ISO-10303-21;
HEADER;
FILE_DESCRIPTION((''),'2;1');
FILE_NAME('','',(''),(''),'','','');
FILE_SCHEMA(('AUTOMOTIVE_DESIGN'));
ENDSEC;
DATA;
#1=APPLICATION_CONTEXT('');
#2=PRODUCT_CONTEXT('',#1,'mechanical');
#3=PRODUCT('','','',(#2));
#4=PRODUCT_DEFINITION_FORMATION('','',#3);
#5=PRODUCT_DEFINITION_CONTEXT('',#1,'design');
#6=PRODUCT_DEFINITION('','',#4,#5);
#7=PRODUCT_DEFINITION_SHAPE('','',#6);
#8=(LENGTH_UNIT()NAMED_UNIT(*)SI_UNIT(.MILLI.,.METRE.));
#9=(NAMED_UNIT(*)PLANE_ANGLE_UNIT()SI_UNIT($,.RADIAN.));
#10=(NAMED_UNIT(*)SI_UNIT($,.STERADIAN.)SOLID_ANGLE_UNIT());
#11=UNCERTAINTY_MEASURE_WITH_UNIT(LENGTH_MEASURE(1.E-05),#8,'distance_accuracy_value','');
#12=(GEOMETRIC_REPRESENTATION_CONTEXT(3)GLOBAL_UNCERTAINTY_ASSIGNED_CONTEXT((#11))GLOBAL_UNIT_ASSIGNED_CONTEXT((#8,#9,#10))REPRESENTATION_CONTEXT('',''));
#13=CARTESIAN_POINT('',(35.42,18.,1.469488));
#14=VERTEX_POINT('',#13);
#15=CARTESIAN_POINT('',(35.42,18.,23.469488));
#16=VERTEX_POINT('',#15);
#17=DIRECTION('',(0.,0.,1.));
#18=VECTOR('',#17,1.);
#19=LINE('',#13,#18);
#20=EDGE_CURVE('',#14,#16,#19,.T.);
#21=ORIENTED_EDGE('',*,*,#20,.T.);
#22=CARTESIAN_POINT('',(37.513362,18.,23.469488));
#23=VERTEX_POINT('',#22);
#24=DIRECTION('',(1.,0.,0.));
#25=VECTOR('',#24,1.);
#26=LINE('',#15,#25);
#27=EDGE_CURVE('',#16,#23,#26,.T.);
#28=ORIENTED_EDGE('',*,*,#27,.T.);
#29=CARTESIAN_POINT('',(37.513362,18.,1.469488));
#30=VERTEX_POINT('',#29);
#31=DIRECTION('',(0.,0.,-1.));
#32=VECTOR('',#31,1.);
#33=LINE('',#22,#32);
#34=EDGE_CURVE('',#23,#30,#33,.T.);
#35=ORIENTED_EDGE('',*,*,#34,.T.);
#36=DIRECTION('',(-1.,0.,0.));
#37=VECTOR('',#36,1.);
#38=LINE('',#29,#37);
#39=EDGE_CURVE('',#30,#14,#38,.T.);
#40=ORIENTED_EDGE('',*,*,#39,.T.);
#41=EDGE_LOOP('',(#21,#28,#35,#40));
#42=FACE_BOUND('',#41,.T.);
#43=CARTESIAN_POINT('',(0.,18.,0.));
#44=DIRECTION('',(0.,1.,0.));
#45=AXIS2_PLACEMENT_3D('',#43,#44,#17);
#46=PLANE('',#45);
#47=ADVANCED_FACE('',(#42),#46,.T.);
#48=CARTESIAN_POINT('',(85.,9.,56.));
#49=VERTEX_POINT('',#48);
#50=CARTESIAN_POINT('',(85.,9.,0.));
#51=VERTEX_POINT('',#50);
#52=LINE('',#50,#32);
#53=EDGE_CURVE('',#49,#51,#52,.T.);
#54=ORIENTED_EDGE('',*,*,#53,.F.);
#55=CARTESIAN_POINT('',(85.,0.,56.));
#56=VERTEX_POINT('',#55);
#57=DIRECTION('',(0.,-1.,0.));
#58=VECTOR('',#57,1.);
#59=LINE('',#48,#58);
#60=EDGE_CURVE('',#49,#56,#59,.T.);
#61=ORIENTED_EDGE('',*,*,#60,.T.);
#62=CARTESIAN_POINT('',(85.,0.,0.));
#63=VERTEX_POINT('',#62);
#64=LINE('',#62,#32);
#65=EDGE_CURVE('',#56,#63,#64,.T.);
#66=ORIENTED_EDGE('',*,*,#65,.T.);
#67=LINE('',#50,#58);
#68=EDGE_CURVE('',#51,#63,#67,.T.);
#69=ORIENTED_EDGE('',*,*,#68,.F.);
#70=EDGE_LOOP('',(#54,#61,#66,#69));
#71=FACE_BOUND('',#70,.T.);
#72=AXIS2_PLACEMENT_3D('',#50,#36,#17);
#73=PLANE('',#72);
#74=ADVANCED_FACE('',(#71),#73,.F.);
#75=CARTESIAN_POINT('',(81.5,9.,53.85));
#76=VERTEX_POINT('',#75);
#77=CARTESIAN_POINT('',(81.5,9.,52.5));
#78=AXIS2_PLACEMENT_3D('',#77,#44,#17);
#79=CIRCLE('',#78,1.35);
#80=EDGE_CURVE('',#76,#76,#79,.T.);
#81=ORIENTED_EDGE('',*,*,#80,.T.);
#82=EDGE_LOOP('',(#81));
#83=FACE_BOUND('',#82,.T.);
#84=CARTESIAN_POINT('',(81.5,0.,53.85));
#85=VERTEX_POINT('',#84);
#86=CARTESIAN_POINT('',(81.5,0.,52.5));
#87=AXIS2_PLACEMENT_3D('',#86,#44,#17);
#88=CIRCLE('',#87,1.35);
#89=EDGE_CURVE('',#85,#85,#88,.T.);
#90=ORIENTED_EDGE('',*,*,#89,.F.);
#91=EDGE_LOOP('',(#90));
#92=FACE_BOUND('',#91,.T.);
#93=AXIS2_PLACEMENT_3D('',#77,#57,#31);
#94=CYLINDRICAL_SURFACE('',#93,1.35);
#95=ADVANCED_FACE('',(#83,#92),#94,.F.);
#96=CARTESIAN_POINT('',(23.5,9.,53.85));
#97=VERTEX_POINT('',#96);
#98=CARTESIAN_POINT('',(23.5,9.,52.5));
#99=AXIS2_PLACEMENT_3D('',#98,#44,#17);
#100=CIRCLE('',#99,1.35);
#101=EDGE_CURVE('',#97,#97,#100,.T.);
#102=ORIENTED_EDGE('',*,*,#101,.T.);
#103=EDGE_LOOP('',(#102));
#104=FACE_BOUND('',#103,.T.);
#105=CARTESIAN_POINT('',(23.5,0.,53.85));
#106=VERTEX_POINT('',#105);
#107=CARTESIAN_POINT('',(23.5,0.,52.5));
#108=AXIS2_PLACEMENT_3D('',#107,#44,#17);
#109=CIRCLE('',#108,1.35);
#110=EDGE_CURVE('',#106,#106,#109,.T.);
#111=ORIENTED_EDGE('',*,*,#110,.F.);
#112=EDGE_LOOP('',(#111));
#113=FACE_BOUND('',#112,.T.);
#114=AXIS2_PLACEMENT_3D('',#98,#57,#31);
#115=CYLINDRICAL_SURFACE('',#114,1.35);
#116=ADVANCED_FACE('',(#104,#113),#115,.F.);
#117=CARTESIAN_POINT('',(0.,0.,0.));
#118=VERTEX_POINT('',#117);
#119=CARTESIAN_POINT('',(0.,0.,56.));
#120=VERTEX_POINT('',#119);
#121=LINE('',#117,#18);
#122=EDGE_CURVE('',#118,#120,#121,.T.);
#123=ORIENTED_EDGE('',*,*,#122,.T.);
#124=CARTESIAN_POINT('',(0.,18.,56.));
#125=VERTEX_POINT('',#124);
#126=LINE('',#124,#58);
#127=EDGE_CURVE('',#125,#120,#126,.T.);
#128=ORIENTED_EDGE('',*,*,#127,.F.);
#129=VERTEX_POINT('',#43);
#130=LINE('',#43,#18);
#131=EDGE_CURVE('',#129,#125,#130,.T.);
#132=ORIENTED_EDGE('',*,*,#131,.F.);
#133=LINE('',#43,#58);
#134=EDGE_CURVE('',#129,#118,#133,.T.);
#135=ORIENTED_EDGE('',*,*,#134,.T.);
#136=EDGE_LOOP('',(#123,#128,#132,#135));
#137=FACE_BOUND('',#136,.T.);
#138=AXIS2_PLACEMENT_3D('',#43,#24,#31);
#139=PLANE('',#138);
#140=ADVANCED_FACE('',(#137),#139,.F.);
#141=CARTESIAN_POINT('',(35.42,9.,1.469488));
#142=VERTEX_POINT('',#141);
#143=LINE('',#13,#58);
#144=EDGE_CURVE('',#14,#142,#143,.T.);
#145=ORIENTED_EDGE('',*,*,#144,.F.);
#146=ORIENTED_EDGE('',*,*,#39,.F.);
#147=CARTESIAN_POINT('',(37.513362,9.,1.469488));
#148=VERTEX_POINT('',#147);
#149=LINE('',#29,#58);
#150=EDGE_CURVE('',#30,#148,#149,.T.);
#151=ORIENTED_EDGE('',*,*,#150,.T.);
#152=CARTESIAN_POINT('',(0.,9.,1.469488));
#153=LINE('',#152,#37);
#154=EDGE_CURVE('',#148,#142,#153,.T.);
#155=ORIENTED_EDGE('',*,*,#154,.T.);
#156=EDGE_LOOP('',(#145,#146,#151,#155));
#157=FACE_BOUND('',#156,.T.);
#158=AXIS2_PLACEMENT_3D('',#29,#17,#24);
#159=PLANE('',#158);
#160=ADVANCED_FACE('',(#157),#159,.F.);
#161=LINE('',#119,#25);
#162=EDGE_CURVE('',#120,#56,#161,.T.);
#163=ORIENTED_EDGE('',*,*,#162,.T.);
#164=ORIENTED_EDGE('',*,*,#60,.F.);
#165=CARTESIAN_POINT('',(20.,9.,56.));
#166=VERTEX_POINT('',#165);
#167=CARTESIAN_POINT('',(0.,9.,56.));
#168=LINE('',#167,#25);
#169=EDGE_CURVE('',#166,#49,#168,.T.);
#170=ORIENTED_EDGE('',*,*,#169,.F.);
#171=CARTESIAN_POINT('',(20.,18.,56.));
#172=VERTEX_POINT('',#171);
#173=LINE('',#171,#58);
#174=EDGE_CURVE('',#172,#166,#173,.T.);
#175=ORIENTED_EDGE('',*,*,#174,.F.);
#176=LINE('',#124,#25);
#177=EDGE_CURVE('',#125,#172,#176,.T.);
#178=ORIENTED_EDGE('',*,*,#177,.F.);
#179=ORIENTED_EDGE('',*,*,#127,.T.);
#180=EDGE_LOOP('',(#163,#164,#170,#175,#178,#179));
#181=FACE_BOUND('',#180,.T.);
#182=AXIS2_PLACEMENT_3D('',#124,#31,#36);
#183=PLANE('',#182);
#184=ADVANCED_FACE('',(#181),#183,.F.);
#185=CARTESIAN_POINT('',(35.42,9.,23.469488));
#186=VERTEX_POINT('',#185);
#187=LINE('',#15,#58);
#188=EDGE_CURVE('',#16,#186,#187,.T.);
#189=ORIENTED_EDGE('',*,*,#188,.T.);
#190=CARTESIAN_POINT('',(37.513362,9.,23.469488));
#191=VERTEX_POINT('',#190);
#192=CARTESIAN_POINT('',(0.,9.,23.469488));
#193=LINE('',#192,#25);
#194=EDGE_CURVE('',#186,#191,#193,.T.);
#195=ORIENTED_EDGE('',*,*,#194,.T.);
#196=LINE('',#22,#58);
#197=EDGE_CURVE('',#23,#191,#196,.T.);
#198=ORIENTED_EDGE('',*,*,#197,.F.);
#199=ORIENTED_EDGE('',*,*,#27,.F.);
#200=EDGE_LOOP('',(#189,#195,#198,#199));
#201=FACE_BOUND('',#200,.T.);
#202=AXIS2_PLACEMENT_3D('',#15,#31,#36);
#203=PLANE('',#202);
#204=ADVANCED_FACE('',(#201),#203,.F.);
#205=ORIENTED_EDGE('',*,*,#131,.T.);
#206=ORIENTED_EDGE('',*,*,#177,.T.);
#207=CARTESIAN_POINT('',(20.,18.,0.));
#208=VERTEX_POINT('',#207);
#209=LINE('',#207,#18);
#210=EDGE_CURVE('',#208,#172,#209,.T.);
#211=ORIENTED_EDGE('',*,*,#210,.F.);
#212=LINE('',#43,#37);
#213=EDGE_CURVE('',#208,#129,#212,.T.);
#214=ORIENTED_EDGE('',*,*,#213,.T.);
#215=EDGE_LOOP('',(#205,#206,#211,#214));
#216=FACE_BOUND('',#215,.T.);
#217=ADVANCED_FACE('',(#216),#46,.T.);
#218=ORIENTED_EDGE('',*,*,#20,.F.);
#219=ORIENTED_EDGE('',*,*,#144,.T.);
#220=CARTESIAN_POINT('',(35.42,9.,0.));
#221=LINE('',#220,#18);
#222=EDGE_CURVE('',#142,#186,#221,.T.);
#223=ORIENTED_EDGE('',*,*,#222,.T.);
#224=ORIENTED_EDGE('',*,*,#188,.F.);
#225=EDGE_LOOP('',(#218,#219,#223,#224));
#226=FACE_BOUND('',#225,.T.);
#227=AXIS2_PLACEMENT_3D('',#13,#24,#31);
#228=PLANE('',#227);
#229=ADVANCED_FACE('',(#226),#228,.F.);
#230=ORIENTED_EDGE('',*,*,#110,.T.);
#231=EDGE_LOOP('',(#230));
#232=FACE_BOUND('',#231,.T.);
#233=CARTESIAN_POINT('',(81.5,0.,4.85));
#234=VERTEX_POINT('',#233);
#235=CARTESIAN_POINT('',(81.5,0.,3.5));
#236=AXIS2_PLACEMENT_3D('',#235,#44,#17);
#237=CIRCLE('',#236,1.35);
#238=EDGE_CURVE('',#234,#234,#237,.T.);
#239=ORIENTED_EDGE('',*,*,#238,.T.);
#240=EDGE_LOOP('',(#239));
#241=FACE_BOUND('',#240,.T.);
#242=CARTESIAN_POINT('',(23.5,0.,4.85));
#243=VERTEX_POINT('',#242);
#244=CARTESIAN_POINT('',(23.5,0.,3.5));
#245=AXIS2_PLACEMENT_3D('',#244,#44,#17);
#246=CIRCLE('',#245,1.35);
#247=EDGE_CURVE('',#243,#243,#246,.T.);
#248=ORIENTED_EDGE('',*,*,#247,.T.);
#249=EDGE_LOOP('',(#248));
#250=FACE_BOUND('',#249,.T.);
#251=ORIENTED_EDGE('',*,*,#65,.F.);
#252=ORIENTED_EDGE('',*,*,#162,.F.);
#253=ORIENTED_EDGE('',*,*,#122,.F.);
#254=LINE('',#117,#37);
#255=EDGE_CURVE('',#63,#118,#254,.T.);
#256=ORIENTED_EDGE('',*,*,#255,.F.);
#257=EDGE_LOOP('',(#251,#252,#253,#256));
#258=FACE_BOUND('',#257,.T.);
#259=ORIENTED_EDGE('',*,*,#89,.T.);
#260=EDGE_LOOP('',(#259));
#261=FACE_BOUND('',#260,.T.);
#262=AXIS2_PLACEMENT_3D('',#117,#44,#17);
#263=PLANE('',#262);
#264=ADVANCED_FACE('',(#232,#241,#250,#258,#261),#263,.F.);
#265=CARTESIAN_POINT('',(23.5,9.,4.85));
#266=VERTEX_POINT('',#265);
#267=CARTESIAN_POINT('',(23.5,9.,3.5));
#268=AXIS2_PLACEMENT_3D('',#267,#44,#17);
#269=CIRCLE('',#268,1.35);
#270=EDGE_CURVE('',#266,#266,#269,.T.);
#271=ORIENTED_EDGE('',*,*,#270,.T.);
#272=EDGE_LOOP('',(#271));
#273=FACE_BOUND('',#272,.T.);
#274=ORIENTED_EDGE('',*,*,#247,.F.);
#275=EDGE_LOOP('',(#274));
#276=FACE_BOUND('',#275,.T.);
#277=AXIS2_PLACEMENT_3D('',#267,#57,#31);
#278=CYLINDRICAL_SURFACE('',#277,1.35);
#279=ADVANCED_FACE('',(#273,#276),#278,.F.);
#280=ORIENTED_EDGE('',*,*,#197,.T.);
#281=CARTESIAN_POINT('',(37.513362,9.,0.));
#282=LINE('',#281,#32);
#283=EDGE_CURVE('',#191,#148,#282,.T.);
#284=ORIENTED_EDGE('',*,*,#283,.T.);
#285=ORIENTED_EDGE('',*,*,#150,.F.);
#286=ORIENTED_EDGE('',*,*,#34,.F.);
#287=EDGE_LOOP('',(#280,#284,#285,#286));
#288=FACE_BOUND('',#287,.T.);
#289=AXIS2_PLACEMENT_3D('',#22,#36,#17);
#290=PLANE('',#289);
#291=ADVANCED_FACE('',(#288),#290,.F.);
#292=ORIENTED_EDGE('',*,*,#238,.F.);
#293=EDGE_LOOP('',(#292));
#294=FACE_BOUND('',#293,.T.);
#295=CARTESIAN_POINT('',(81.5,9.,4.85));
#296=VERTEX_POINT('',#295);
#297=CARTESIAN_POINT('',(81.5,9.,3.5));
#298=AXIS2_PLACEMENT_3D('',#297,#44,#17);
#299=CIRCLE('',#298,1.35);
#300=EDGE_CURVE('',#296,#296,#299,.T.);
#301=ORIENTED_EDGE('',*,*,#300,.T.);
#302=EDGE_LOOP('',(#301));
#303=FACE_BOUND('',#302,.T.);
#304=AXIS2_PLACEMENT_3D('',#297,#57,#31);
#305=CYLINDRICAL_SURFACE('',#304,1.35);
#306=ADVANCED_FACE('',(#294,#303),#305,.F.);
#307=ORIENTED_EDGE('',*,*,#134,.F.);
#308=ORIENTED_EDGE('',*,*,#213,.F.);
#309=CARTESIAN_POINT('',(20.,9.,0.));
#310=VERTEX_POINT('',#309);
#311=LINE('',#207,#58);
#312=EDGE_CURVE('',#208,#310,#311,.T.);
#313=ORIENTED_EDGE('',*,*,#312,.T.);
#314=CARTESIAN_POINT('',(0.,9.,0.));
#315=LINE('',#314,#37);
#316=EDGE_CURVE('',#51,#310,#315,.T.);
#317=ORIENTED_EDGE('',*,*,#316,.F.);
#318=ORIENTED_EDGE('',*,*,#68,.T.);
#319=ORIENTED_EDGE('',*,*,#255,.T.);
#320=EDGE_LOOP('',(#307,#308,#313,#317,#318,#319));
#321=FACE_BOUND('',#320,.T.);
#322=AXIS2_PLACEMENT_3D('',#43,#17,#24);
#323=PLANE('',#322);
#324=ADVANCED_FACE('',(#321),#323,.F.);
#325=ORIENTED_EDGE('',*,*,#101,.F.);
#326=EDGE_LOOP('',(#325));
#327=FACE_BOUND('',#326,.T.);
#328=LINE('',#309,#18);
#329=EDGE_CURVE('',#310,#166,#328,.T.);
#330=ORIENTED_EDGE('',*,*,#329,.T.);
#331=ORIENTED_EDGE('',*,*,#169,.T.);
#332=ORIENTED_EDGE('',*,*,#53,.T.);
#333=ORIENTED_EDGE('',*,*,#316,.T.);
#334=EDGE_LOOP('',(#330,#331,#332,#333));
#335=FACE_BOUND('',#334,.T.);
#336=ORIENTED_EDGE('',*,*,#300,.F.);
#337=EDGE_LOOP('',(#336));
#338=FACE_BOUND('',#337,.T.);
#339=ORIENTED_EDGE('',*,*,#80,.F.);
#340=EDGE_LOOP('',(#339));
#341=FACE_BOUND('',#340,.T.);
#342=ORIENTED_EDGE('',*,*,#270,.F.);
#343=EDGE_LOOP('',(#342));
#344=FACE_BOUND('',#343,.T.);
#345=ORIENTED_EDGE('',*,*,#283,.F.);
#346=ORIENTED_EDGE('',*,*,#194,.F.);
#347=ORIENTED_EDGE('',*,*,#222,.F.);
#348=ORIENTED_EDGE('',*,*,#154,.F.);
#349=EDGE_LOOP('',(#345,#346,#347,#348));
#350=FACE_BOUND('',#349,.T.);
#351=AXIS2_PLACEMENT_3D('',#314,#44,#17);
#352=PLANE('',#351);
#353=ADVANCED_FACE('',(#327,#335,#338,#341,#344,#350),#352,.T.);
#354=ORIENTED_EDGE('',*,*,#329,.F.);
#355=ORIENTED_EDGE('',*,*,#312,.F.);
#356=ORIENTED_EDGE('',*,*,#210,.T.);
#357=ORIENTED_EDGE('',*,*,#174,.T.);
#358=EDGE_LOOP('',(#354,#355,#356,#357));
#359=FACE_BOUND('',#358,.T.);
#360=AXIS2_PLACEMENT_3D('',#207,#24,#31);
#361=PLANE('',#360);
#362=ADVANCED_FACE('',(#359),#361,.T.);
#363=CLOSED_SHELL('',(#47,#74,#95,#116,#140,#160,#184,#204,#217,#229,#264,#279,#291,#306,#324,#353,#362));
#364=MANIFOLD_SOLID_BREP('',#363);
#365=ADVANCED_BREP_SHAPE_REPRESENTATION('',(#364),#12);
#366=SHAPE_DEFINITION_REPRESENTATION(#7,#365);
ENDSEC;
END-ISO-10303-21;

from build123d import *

# Parameters (mm, degrees)
SKETCH1_W             = 20
SKETCH1_H             = 56
BOSS_EXTRUDE1_DEPTH   = 18
SKETCH1_W_2           = 2.09336208
SKETCH1_H_2           = 22
BOSS_EXTRUDE1_2_DEPTH = 18
SKETCH1_3_W           = 65
SKETCH1_3_H           = 56
SKETCH1_3_R           = 1.35
SKETCH1_3_W_2         = 2.09336208
SKETCH1_3_H_2         = 22
BOSS_EXTRUDE2_DEPTH   = 9


with BuildPart() as part:
    # Sketch1 → Boss-Extrude1 (new body)
    with BuildSketch(Plane(origin=(0, 0, 0), x_dir=(1, 0, 0), z_dir=(0, 1, 0))):
        with Locations((10, -28)):
            Rectangle(SKETCH1_W, SKETCH1_H)
    extrude(amount=BOSS_EXTRUDE1_DEPTH)



with BuildPart() as body_2:
    # Sketch1 → Boss-Extrude1 2 (new body)
    with BuildSketch(Plane(origin=(0, 0, 0), x_dir=(1, 0, 0), z_dir=(0, 1, 0))):
        with Locations((36.46668104, -12.469488465)):
            Rectangle(SKETCH1_W_2, SKETCH1_H_2)
    extrude(amount=BOSS_EXTRUDE1_2_DEPTH)


with BuildPart() as part_1:
    add(part.part)

    add(body_2.part)  # Boss-Extrude2 merges body 2
    # Sketch1<3> → Boss-Extrude2 (add)
    with BuildSketch(Plane(origin=(0, 0, 0), x_dir=(1, 0, 0), z_dir=(0, 1, 0))):
        with Locations((52.5, -28)):
            Rectangle(SKETCH1_3_W, SKETCH1_3_H)
        with Locations((23.5, -52.5)):
            Circle(SKETCH1_3_R, mode=Mode.SUBTRACT)
        with Locations((81.5, -52.5)):
            Circle(SKETCH1_3_R, mode=Mode.SUBTRACT)
        with Locations((36.46668104, -12.469488465)):
            Rectangle(SKETCH1_3_W_2, SKETCH1_3_H_2, mode=Mode.SUBTRACT)
        with Locations((23.5, -3.5)):
            Circle(SKETCH1_3_R, mode=Mode.SUBTRACT)
        with Locations((81.5, -3.5)):
            Circle(SKETCH1_3_R, mode=Mode.SUBTRACT)
    extrude(amount=BOSS_EXTRUDE2_DEPTH)


solid = part_1.part
